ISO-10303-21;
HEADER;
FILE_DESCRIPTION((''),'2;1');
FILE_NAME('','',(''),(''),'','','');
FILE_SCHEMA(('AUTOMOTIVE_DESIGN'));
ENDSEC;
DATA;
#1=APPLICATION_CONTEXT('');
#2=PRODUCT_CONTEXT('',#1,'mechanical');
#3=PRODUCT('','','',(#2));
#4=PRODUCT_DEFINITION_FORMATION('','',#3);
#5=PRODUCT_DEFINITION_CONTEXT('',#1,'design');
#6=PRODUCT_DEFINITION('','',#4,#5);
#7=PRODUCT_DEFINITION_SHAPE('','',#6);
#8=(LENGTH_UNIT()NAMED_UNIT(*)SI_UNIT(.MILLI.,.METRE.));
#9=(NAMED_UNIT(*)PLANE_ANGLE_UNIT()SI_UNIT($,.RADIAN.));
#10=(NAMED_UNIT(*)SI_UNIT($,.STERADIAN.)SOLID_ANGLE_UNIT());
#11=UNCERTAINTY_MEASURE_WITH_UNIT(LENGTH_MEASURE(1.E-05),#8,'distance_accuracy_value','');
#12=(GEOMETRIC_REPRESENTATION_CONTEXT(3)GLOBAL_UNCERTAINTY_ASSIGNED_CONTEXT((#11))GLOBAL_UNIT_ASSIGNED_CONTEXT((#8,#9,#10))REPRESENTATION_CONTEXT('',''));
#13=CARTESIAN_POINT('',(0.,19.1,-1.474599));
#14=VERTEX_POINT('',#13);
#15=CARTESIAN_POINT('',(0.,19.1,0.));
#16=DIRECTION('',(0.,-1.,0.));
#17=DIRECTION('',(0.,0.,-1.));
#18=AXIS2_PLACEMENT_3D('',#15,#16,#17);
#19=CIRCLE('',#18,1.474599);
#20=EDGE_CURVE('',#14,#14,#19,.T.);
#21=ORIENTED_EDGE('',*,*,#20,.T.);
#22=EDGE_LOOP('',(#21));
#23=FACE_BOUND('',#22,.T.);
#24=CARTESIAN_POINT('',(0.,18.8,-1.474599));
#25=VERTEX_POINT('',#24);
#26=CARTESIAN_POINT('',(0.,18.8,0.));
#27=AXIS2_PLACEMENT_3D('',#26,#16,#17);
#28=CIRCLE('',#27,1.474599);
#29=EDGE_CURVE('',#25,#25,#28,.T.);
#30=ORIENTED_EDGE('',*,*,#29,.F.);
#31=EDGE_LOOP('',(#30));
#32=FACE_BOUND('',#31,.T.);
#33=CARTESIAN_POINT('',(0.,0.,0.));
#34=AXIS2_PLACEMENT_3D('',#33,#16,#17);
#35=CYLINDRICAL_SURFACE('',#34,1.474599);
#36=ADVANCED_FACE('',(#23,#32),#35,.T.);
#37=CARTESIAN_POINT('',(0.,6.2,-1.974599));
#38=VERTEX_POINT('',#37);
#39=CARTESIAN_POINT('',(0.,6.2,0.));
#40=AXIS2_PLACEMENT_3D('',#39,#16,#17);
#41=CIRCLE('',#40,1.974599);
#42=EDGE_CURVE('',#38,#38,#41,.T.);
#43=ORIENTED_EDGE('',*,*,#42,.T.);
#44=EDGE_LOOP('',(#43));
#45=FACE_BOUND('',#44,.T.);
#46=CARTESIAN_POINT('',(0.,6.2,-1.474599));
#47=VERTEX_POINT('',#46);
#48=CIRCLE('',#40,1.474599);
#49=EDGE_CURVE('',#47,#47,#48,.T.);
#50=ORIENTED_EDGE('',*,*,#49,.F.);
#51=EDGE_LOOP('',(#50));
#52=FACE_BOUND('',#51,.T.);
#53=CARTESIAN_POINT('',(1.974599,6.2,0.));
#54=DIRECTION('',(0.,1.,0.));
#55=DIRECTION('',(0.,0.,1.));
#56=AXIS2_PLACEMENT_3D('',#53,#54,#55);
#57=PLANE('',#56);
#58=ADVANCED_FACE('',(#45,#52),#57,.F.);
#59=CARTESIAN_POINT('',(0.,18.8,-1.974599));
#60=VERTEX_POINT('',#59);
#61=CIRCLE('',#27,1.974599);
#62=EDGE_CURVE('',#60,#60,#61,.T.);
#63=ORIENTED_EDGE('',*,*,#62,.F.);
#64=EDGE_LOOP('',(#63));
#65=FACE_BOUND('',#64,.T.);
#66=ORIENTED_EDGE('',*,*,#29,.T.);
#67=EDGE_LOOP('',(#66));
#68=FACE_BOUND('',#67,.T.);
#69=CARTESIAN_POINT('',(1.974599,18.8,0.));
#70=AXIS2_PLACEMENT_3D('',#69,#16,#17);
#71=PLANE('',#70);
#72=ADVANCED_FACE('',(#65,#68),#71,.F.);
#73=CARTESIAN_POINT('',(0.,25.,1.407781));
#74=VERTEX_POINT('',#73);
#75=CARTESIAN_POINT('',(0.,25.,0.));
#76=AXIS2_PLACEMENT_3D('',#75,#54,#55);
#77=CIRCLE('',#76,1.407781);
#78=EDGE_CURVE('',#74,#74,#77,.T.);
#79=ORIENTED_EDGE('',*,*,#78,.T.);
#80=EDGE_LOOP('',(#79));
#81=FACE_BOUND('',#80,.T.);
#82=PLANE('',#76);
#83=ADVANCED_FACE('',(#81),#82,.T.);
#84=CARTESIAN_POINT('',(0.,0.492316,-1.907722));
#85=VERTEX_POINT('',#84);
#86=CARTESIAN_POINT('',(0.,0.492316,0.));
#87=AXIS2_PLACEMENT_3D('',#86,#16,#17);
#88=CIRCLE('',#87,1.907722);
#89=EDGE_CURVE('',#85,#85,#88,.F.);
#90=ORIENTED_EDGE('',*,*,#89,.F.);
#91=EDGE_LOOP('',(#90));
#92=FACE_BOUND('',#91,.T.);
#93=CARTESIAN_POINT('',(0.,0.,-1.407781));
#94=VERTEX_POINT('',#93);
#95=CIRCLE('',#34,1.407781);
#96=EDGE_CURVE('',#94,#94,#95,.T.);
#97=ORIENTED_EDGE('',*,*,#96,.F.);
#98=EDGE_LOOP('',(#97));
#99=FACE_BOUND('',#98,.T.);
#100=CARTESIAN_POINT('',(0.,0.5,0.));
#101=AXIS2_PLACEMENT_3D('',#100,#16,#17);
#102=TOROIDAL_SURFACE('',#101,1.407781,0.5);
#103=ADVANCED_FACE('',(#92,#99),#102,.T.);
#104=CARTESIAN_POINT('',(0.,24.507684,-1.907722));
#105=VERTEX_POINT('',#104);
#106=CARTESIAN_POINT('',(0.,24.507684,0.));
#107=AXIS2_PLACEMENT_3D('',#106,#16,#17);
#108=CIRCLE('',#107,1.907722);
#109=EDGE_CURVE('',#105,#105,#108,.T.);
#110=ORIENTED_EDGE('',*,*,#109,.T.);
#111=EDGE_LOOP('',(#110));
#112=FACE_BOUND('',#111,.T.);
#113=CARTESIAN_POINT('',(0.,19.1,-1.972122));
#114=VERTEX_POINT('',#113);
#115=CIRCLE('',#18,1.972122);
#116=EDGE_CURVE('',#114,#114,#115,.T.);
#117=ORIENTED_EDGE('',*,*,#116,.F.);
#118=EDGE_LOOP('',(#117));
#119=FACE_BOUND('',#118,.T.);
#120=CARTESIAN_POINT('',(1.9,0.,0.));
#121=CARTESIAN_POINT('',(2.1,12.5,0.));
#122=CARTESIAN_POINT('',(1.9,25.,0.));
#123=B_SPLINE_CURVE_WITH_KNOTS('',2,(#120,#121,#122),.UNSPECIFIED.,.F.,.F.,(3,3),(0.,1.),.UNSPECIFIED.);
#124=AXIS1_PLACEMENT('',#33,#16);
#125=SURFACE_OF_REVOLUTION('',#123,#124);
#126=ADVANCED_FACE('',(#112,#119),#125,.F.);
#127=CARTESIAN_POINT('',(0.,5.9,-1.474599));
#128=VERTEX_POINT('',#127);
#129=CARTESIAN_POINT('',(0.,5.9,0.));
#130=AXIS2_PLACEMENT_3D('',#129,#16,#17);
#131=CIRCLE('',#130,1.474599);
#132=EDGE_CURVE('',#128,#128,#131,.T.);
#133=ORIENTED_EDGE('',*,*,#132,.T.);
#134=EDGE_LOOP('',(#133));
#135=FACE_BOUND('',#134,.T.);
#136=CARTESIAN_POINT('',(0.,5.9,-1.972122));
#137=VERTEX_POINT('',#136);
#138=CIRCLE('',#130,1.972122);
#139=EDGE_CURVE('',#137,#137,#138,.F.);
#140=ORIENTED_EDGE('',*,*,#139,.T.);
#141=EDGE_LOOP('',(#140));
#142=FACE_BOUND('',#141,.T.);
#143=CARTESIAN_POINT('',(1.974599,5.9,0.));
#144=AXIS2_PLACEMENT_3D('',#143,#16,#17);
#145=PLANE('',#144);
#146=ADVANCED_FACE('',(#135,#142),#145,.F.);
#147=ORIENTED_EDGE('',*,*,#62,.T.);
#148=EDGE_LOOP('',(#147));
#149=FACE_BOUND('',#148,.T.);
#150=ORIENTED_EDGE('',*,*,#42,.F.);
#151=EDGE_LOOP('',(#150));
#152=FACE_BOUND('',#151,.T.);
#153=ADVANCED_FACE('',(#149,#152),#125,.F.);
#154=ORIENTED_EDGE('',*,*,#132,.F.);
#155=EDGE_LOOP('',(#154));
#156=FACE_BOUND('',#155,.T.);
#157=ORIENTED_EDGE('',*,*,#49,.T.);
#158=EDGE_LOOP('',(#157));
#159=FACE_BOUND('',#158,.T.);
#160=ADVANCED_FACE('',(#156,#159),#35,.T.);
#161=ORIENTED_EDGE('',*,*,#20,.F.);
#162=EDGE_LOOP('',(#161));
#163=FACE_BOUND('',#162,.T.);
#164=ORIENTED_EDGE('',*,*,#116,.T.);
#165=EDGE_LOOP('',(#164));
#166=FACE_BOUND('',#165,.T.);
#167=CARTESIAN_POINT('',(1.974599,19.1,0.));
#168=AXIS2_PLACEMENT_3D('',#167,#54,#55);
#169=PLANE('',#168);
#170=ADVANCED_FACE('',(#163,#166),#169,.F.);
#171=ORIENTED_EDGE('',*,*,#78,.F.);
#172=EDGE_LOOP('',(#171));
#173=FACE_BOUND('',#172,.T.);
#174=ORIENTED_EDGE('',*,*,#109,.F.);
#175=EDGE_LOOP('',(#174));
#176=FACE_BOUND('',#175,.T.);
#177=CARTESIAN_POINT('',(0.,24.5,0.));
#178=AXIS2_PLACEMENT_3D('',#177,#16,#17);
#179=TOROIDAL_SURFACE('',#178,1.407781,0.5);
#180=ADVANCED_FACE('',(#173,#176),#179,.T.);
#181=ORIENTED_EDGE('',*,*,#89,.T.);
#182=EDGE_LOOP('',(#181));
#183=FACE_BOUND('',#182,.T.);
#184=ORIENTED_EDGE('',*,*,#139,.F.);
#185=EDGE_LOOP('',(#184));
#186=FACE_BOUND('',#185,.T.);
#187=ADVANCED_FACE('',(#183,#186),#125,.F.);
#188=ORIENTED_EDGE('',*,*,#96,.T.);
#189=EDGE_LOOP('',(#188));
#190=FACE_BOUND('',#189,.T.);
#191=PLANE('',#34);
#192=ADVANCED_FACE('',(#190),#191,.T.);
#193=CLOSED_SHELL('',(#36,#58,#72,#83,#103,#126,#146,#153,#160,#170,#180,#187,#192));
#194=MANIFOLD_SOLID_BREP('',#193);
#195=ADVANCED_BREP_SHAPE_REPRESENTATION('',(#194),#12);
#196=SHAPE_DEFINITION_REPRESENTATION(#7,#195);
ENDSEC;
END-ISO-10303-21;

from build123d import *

# Parameters (mm, degrees)
CONG_1_R    = 0.5
ESQUISSE2_W = 0.5
ESQUISSE2_H = 0.3


with BuildPart() as part:
    # Esquisse1 → Révolution1 (revolve)
    with BuildSketch(Plane.XY):
        with BuildLine():
            Line((0, 25), (1.9, 25))
            add(Edge.make_bspline(
                [(1.9, 25), (2.1, 12.5), (1.9, 0)],
                knots=[0, 0, 0, 1, 1, 1], degree=2))
            Line((1.9, 0), (0, 0))
            Line((0, 0), (0, 25))
        make_face()
    revolve(axis=Axis((0, 0, 0), (0, 1, 0)))

    # Congé1
    cong_1_edges = [part.edges().sort_by_distance(p)[0] for p in [
        (-1.9, 25, 0),
        (-1.9, 0, 0),
    ]]
    fillet(cong_1_edges, radius=CONG_1_R)

    # Esquisse2 → Enlèvement de matière-Révolution1 (revolve, cut)
    with BuildSketch(Plane.XY):
        with Locations((1.724599487, 6.05)):
            Rectangle(ESQUISSE2_W, ESQUISSE2_H)
        with Locations((1.724599487, 18.95)):
            Rectangle(ESQUISSE2_W, ESQUISSE2_H)
    revolve(axis=Axis((0, 0, 0), (0, 1, 0)), mode=Mode.SUBTRACT)


solid = part.part
